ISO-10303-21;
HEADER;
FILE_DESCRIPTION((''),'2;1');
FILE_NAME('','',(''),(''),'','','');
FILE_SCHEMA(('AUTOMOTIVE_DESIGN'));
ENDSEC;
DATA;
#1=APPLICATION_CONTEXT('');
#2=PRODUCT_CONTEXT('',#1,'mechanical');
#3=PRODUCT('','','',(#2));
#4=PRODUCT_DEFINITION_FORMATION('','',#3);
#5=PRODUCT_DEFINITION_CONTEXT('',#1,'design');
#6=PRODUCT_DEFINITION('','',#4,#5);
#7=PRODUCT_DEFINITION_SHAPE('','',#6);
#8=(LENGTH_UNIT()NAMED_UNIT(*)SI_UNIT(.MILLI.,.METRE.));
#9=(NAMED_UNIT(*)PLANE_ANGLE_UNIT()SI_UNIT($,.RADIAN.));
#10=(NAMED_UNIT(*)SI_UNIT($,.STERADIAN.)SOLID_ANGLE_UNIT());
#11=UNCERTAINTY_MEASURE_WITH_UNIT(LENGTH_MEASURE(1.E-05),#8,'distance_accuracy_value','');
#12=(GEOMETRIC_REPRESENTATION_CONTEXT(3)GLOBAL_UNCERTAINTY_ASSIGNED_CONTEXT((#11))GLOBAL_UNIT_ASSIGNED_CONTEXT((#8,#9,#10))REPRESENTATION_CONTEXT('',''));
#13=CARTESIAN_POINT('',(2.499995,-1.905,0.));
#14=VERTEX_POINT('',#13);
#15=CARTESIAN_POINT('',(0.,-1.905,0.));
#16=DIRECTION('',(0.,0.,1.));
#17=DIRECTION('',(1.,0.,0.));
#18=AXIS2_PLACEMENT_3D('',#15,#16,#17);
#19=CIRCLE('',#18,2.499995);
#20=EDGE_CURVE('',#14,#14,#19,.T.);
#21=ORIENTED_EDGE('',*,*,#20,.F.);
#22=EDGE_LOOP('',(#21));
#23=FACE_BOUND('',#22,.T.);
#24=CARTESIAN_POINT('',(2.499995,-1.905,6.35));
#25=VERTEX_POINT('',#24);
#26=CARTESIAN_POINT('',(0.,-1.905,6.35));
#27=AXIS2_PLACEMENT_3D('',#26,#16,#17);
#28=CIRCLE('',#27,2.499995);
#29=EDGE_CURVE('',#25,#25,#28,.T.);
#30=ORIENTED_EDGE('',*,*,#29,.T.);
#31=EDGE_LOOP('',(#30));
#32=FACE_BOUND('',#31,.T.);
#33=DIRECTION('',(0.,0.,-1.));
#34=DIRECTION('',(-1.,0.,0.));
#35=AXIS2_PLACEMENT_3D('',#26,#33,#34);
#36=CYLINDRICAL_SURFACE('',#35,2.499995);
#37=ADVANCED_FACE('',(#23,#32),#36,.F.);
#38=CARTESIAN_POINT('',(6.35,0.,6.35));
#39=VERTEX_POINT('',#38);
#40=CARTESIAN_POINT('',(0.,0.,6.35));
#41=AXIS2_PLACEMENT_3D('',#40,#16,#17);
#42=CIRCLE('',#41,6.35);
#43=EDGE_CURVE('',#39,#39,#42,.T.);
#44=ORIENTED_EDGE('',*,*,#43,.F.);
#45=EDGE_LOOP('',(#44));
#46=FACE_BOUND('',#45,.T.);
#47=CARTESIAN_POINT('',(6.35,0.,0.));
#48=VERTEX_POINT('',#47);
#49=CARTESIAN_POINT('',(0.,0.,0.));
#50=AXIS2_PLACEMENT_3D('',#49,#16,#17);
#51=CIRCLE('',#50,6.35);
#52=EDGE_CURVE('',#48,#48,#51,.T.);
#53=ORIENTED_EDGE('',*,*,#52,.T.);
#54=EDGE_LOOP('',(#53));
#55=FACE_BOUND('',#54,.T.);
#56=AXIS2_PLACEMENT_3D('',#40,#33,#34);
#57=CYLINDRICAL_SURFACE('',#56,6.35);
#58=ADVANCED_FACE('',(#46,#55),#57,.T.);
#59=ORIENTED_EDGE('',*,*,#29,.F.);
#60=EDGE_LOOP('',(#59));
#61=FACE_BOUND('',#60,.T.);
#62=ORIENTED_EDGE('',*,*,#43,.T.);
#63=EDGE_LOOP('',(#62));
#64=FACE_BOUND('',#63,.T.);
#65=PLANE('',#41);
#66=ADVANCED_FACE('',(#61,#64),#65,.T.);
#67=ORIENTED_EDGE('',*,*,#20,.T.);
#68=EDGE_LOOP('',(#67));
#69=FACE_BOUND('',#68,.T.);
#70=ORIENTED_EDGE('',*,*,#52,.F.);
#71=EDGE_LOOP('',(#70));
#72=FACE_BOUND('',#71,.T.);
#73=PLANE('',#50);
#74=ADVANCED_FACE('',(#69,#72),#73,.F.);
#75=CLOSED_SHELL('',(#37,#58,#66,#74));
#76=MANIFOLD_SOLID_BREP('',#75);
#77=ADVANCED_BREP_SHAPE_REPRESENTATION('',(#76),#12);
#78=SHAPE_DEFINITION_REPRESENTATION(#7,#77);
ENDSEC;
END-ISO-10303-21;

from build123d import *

# Parameters (mm, degrees)
SKETCH1_R           = 6.35
SKETCH1_R_2         = 2.499995
BOSS_EXTRUDE1_DEPTH = 6.35


with BuildPart() as part:
    # Sketch1 → Boss-Extrude1 (new body)
    with BuildSketch(Plane.XY):
        Circle(SKETCH1_R)
        with Locations((0, -1.905)):
            Circle(SKETCH1_R_2, mode=Mode.SUBTRACT)
    extrude(amount=BOSS_EXTRUDE1_DEPTH)


solid = part.part
